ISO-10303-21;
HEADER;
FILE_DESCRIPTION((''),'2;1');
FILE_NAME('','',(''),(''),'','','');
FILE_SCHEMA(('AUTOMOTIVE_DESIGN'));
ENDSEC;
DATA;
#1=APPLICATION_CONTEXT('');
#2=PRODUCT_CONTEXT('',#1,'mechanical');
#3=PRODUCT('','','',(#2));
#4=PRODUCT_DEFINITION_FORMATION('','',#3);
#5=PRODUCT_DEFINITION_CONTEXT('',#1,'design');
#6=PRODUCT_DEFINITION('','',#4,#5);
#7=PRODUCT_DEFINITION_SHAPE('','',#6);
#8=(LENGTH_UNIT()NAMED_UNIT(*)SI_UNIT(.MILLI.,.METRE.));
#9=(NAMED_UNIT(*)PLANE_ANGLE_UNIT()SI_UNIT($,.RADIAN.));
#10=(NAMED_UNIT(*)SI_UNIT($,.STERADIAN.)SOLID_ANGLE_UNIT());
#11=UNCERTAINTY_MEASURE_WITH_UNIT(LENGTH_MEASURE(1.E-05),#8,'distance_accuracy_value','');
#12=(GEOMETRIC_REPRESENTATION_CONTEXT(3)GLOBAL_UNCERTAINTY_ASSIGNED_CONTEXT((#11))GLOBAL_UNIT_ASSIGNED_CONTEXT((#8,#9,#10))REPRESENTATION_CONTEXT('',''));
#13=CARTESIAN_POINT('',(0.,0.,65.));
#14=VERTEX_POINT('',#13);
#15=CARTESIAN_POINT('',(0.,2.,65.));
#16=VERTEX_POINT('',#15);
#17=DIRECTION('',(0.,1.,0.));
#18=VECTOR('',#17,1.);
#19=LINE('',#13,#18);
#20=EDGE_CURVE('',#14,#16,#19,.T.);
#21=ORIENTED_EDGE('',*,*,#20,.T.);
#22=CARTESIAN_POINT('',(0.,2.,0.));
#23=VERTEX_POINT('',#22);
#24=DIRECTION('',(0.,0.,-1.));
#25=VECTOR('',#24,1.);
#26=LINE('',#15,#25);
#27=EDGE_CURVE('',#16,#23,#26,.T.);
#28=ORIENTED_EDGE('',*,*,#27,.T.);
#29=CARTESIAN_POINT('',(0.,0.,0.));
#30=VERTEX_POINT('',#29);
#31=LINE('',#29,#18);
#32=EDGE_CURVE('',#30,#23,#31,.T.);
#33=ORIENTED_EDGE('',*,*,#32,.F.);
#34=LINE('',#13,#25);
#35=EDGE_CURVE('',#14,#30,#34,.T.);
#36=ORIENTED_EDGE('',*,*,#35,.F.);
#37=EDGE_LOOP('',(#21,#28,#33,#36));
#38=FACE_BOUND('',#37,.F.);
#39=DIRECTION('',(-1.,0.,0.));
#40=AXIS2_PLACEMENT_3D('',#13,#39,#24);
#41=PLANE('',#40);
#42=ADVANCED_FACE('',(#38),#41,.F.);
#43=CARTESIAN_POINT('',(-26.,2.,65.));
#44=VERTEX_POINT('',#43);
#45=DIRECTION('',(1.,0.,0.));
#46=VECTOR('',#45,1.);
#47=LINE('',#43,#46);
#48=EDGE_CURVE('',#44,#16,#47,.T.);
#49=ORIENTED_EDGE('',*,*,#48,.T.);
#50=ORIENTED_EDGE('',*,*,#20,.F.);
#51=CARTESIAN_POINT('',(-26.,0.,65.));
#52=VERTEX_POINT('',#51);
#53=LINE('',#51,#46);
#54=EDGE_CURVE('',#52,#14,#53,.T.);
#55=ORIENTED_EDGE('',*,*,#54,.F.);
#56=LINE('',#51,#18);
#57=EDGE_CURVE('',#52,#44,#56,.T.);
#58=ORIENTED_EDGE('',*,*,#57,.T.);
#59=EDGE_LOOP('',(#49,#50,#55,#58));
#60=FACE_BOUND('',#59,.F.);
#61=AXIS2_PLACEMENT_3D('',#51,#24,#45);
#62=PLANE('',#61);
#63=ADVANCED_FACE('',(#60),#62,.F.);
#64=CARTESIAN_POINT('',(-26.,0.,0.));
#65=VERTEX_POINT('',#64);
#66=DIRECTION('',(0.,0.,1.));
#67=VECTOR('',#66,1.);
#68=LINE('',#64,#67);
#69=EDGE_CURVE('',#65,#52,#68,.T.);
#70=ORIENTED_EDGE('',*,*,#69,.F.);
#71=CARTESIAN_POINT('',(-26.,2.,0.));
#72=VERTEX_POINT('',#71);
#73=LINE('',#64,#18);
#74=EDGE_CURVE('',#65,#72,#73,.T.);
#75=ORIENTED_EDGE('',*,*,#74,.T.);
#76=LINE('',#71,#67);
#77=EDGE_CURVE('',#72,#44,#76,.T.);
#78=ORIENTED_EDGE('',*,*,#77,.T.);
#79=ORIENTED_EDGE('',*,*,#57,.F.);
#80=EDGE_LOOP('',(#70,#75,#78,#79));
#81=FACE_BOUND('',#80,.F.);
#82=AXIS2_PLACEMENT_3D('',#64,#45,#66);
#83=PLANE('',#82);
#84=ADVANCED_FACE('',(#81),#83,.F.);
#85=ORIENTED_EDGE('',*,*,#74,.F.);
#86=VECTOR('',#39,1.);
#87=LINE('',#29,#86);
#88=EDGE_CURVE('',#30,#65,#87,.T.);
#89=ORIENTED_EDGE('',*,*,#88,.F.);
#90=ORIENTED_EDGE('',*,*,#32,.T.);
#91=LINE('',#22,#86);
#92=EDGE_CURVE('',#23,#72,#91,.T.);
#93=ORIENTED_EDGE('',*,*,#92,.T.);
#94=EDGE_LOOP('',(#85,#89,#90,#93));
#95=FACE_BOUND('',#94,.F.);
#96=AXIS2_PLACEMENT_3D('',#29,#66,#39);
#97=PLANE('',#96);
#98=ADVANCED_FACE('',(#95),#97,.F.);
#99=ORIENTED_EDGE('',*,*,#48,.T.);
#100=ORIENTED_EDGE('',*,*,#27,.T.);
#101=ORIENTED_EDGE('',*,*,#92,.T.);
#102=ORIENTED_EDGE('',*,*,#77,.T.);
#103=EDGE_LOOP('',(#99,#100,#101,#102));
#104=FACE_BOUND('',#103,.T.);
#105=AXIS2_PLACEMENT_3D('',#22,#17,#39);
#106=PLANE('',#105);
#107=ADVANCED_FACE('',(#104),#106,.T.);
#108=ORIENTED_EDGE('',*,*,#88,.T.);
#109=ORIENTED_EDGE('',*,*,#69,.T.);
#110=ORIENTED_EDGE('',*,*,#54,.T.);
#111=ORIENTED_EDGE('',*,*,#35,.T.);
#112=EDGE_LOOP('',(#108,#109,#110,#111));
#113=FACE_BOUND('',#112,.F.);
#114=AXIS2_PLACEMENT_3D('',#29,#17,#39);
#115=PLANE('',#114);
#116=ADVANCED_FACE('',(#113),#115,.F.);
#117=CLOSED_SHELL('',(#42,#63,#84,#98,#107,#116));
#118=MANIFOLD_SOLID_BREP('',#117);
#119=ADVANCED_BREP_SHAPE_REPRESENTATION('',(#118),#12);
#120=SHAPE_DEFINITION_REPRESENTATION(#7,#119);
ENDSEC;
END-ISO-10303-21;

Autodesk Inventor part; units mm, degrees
ref_plane "YZ Plane" through (0, 0, 0) normal (1, 0, 0) x (0, 1, 0)
ref_plane "XZ Plane" through (0, 0, 0) normal (0, 1, 0) x (-1, 0, 0)
ref_plane "XY Plane" through (0, 0, 0) normal (0, 0, 1) x (1, 0, 0)
sketch "Sketch1" plane through (0, 0, 0) normal (0, 1, 0) x (-1, 0, 0)
  line L0 (0, 0) -> (26, 0)
  line L1 (26, 0) -> (26, 65)
  line L2 (26, 65) -> (0, 65)
  line L3 (0, 65) -> (0, 0)
  dimension "d0" = 26
  dimension "d1" = 65
extrude "Extrusion1" add sketch "Sketch1" along normal blind 2
equation "\"BendRadius\" = Thickness"
equation "\"BendReliefWidth\" = Thickness"
equation "\"BendReliefDepth\" = 0.5 * Thickness"
equation "\"CornerReliefSize\" = 4 * Thickness"
equation "\"MinimumRemnant\" = 2 * Thickness"
equation "\"TransitionRadius\" = BendRadius"
equation "\"JacobiRadiusSize\" = BendRadius"
equation "\"GapSize\" = Thickness"
equation "\"Thickness\" = 3.048"
properties part number "plexy 26X65" material "Glass"
